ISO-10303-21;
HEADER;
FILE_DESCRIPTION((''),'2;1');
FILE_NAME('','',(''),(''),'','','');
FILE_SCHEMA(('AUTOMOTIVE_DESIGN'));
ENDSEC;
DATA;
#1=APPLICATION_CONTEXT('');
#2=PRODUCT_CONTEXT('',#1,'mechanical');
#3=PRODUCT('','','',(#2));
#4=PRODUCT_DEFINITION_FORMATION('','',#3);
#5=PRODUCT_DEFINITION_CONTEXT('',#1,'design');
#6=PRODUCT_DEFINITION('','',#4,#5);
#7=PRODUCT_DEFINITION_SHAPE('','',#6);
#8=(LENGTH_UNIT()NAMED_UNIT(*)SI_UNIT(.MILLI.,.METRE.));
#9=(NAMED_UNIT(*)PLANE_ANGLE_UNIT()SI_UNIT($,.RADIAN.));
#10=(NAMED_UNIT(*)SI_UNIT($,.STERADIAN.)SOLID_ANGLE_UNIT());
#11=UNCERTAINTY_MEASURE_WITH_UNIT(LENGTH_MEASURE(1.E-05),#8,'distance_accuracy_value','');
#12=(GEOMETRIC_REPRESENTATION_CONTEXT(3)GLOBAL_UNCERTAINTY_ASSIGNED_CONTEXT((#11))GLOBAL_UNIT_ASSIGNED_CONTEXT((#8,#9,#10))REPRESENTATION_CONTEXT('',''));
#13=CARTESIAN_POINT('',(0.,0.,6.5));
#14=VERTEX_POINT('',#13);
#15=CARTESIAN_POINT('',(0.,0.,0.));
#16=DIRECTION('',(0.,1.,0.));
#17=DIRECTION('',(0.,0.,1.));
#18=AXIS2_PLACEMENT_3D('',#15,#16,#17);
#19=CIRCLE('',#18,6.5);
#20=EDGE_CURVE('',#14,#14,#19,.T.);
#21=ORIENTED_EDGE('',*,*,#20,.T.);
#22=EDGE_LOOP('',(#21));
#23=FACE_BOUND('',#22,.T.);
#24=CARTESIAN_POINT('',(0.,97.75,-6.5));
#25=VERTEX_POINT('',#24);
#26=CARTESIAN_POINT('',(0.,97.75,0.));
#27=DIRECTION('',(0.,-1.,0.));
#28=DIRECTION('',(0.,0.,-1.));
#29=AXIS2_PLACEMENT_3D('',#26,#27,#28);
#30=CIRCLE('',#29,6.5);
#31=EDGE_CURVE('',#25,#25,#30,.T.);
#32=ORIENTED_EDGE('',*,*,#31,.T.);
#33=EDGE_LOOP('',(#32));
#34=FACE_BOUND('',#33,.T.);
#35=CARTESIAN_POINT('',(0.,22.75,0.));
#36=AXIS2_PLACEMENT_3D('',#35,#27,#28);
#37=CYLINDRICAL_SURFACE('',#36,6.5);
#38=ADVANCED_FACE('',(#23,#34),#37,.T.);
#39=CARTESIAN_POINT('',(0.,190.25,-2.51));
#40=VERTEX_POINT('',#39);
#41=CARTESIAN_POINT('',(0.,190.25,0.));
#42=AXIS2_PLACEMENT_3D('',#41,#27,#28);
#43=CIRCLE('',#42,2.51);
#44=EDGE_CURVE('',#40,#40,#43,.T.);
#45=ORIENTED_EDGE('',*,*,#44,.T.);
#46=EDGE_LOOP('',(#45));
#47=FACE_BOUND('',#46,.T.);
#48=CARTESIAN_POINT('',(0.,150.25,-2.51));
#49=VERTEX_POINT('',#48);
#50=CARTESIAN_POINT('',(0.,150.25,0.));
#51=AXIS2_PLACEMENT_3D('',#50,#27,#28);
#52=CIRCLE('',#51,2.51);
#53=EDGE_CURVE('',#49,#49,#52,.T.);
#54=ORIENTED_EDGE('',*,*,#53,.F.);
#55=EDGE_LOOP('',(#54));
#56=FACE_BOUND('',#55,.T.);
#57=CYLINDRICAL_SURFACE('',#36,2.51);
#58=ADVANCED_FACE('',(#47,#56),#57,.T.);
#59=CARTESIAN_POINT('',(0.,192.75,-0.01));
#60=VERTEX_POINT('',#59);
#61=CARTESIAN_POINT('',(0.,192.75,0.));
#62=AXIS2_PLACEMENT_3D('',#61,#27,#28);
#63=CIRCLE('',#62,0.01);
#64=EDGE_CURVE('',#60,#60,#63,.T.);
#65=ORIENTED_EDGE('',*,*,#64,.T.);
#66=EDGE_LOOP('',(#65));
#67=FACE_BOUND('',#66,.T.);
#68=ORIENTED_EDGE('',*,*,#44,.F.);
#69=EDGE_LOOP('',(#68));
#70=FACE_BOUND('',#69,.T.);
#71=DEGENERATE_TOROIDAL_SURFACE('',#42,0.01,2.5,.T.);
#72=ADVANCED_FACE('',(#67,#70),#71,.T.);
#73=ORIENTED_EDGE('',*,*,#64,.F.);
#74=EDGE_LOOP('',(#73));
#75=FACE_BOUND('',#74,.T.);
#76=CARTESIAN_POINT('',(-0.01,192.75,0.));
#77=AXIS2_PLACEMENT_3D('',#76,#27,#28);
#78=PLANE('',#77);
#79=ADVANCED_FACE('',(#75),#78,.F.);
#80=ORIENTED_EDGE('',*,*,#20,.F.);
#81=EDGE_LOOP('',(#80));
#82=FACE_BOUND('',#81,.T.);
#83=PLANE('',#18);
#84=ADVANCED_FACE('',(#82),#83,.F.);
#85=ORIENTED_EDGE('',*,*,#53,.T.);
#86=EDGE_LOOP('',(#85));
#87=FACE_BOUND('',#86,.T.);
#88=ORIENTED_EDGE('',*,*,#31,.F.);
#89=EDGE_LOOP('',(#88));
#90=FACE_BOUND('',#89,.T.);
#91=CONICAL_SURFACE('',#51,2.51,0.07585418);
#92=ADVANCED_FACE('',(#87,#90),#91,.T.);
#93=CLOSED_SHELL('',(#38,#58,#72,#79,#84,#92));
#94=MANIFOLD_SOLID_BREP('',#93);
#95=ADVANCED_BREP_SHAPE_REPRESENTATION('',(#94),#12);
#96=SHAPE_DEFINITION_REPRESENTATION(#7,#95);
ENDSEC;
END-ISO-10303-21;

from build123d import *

# Parameters (mm, degrees)
SKETCH1_R           = 6.5
BOSS_EXTRUDE2_DEPTH = 22.75


with BuildPart() as part:
    # Sketch1 → Boss-Extrude2 (new body)
    with BuildSketch(Plane(origin=(0, 0, 0), x_dir=(1, 0, 0), z_dir=(0, 1, 0))):
        with Locations(Location((0, 0, 0), (0, 0, 270))):
            Circle(SKETCH1_R)
    extrude(amount=BOSS_EXTRUDE2_DEPTH)

    # Sketch2 → Revolve1 (revolve)
    with BuildSketch(Plane.XY, mode=Mode.PRIVATE) as revolve1_sk:
        with BuildLine():
            Line((0, 22.75), (-6.5, 22.75))
            Line((-6.5, 22.75), (-6.5, 97.75))
            Line((-6.5, 97.75), (-2.51, 150.25))
            Line((-2.51, 150.25), (-2.51, 190.25))
            ThreePointArc((-2.51, 190.25), (-1.777766953, 192.017766953), (-0.01, 192.75))
            Line((-0.01, 192.75), (0, 192.75))
            Line((0, 192.75), (0, 22.75))
        make_face()
    revolve(revolve1_sk.sketch.rotate(Axis((0, 22.75, 0), (0, 1, 0)), 270), axis=Axis((0, 22.75, 0), (0, 1, 0)))


solid = part.part
